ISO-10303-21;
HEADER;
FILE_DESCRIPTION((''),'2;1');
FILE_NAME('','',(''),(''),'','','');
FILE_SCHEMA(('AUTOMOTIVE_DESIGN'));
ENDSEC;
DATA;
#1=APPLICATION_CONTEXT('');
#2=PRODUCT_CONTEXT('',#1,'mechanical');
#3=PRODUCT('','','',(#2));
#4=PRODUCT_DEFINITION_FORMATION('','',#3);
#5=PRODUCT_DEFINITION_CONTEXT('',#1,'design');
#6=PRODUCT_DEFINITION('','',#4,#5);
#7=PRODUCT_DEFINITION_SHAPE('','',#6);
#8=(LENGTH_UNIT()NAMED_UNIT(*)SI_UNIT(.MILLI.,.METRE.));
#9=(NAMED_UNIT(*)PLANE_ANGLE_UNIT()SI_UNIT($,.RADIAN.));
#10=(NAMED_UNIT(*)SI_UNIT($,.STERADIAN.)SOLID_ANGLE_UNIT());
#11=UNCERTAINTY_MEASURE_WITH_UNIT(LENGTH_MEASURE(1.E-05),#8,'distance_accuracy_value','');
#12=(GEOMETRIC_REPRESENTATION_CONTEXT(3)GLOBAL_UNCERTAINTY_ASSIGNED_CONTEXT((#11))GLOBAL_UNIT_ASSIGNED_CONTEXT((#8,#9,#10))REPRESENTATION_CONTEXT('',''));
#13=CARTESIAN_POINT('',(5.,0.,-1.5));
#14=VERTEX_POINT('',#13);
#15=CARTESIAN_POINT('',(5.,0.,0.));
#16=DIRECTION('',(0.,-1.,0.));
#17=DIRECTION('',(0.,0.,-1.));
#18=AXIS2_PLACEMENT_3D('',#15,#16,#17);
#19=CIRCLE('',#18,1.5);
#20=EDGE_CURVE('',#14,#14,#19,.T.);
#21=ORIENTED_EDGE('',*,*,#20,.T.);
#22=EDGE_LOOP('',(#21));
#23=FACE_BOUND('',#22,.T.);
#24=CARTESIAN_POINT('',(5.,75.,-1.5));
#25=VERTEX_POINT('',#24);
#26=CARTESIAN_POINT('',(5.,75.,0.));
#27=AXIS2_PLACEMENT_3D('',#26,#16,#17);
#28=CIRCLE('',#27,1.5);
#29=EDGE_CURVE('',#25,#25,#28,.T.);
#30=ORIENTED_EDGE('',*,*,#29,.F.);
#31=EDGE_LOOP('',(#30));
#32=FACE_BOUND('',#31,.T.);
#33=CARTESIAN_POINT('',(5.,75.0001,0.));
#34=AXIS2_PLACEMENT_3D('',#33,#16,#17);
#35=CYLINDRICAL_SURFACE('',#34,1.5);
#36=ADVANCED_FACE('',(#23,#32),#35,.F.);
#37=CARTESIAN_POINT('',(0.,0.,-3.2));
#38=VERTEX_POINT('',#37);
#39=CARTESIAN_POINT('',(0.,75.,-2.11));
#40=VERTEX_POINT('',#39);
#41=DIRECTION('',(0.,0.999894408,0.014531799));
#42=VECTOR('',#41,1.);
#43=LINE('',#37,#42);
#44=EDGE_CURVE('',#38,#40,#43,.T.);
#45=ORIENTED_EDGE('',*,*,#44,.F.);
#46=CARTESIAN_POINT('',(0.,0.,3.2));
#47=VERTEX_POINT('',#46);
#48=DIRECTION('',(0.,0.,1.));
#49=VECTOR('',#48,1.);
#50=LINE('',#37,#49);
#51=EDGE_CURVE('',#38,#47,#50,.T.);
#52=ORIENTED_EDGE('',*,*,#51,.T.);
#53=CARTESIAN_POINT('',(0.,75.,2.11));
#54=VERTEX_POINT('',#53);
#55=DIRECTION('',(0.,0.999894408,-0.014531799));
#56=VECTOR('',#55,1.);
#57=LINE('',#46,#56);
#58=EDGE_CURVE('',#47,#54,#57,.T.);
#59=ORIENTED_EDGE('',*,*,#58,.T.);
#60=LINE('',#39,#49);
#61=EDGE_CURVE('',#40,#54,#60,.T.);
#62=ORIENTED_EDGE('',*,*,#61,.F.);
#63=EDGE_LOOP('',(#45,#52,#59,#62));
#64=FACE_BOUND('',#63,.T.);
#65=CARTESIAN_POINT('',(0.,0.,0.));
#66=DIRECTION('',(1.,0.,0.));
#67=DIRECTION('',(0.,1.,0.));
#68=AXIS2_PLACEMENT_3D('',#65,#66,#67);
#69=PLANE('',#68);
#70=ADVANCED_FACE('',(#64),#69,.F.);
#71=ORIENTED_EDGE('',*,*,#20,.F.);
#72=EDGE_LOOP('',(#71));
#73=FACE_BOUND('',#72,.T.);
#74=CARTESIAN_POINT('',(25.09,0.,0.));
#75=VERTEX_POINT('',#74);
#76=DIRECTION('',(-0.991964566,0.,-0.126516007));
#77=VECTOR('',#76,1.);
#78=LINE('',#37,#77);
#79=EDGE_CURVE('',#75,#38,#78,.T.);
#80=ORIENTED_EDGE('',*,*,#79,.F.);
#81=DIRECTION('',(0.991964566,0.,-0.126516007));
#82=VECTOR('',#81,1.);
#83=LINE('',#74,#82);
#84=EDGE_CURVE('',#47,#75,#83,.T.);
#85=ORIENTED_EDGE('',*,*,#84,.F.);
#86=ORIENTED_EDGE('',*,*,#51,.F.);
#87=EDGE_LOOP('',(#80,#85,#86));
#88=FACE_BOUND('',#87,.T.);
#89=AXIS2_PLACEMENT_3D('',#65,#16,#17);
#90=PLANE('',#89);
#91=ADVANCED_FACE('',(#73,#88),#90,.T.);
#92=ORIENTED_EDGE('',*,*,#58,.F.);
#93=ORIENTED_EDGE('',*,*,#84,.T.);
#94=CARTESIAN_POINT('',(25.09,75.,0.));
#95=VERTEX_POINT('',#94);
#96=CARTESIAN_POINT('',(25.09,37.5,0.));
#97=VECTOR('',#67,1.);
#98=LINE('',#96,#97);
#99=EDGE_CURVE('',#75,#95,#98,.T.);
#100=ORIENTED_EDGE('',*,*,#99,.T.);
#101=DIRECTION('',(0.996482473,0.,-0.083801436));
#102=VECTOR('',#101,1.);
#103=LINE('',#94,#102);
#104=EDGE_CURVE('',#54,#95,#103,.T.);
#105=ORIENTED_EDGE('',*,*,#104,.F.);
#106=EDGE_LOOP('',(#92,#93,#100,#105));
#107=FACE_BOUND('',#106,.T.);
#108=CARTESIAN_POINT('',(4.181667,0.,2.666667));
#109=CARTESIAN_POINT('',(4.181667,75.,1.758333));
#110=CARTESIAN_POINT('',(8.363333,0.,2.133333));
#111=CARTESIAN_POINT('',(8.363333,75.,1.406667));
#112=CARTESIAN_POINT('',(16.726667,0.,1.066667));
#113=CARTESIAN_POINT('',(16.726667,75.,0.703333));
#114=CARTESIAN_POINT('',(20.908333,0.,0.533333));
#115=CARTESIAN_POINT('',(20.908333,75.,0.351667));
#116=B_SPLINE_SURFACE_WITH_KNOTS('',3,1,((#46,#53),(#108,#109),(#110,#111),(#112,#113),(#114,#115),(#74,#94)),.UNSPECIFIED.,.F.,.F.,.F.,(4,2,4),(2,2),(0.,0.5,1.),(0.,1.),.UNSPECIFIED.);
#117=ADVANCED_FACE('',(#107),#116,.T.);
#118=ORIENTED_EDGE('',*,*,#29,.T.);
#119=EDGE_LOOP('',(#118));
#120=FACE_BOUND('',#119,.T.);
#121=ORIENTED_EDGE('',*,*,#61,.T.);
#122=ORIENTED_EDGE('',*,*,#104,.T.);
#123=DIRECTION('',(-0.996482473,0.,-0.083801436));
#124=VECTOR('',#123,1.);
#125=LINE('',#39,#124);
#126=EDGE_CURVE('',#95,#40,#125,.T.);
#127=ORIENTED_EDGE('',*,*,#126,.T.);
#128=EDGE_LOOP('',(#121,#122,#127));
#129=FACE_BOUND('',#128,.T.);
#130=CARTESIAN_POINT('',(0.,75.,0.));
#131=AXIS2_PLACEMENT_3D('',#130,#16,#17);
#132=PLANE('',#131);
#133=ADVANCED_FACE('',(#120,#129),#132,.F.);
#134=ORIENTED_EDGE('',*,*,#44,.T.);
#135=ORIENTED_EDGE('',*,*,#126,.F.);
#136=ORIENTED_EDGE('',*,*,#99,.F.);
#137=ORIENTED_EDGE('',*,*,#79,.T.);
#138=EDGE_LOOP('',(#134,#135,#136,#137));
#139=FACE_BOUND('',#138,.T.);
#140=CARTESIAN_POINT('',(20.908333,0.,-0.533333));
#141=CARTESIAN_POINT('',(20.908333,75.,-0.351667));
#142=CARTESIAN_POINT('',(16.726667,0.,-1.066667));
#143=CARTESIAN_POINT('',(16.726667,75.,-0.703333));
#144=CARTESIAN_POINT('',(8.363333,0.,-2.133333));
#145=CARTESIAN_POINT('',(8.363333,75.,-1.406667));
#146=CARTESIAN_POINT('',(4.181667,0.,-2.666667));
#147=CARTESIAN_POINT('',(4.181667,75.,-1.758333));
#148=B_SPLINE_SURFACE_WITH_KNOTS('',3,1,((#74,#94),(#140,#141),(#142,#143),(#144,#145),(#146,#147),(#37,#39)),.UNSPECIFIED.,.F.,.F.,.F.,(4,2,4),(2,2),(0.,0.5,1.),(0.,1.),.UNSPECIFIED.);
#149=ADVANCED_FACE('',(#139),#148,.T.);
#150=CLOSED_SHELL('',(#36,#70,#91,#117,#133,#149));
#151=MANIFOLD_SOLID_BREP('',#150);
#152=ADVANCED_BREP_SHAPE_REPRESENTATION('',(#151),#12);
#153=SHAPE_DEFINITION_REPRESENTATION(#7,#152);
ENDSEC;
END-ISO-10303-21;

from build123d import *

# Parameters (mm, degrees)
SKETCH_3_R          = 1.5
CUT_EXTRUDE_1_DEPTH = 80.150161849


with BuildPart() as part:
    # Эскиз1 → По сечениям1 section 0
    with BuildSketch(Plane(origin=(0, 0, 0), x_dir=(1, 0, 0), z_dir=(0, 1, 0))):
        with BuildLine():
            Line((0, 3.2), (0, -3.2))
            Line((0, -3.2), (25.09, 0))
            Line((25.09, 0), (0, 3.2))
        make_face()
    # Эскиз2 → По сечениям1 section 1
    with BuildSketch(Plane(origin=(0, 75, 0), x_dir=(1, 0, 0), z_dir=(0, 1, 0))):
        with BuildLine():
            Line((0, 2.11), (0, -2.11))
            Line((0, -2.11), (25.09, 0))
            Line((25.09, 0), (0, 2.11))
        make_face()
    loft()

    # Эскиз3 → Вырез-Вытянуть1 (cut, through all)
    with BuildSketch(Plane.XZ):
        with Locations(Location((5, 0, 0), (0, 0, 270))):
            Circle(SKETCH_3_R)
    extrude(amount=-CUT_EXTRUDE_1_DEPTH, mode=Mode.SUBTRACT)


solid = part.part
